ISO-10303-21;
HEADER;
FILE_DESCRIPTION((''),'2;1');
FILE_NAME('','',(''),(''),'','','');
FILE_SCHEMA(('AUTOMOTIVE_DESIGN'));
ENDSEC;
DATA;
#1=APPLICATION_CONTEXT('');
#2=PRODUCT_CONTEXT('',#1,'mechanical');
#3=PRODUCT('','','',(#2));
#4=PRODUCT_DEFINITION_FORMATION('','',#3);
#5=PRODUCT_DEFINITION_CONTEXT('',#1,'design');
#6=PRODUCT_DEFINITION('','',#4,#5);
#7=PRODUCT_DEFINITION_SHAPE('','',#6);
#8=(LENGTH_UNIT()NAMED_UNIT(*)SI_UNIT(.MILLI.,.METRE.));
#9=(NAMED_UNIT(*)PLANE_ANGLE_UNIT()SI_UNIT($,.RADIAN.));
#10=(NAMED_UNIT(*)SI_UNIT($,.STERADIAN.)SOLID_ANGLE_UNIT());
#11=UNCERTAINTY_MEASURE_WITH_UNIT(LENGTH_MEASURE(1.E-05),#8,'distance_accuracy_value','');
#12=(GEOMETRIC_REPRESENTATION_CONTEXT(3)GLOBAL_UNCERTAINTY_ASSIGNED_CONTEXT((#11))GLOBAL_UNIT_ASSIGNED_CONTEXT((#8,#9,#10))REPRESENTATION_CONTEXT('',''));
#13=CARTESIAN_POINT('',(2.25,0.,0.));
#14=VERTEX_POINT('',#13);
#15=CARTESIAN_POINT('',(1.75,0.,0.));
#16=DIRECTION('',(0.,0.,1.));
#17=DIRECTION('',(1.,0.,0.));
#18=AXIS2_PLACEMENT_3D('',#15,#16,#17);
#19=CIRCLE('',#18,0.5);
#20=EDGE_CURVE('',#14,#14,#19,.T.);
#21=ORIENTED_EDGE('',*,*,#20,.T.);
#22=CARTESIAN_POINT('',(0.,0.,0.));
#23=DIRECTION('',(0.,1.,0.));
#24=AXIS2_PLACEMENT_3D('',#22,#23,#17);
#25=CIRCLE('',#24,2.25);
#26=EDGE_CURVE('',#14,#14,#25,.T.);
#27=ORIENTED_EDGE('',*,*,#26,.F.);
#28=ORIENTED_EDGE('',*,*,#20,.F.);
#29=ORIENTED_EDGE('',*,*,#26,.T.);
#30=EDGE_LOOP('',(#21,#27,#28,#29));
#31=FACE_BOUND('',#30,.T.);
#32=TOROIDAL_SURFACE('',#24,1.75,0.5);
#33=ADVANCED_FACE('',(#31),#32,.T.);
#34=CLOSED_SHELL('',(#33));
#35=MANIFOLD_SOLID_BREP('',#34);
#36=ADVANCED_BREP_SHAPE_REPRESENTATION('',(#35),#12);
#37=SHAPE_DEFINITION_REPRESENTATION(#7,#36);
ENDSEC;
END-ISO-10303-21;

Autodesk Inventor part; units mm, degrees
ref_plane "YZ Plane" through (0, 0, 0) normal (1, 0, 0) x (0, 1, 0)
ref_plane "XZ Plane" through (0, 0, 0) normal (0, 1, 0) x (-1, 0, 0)
ref_plane "XY Plane" through (0, 0, 0) normal (0, 0, 1) x (1, 0, 0)
sketch "Sketch1" plane through (0, 0, 0) normal (0, 0, 1) x (1, 0, 0)
  line L0 (0, -1.5933) -> (0, 3.0491)
  circle A0 centre (1.75, 0) radius 0.5
  point P0 (0, 0)
  dimension "d4" = 1
  dimension "d5" = 1.25
revolve "Revolution1" add sketch "Sketch1" angle 360 about axis through (0, -1.5933, 0) along (0, 1, 0)
properties part number "Rubber_Sea_2.5X1N70l##" material "Rubber"
